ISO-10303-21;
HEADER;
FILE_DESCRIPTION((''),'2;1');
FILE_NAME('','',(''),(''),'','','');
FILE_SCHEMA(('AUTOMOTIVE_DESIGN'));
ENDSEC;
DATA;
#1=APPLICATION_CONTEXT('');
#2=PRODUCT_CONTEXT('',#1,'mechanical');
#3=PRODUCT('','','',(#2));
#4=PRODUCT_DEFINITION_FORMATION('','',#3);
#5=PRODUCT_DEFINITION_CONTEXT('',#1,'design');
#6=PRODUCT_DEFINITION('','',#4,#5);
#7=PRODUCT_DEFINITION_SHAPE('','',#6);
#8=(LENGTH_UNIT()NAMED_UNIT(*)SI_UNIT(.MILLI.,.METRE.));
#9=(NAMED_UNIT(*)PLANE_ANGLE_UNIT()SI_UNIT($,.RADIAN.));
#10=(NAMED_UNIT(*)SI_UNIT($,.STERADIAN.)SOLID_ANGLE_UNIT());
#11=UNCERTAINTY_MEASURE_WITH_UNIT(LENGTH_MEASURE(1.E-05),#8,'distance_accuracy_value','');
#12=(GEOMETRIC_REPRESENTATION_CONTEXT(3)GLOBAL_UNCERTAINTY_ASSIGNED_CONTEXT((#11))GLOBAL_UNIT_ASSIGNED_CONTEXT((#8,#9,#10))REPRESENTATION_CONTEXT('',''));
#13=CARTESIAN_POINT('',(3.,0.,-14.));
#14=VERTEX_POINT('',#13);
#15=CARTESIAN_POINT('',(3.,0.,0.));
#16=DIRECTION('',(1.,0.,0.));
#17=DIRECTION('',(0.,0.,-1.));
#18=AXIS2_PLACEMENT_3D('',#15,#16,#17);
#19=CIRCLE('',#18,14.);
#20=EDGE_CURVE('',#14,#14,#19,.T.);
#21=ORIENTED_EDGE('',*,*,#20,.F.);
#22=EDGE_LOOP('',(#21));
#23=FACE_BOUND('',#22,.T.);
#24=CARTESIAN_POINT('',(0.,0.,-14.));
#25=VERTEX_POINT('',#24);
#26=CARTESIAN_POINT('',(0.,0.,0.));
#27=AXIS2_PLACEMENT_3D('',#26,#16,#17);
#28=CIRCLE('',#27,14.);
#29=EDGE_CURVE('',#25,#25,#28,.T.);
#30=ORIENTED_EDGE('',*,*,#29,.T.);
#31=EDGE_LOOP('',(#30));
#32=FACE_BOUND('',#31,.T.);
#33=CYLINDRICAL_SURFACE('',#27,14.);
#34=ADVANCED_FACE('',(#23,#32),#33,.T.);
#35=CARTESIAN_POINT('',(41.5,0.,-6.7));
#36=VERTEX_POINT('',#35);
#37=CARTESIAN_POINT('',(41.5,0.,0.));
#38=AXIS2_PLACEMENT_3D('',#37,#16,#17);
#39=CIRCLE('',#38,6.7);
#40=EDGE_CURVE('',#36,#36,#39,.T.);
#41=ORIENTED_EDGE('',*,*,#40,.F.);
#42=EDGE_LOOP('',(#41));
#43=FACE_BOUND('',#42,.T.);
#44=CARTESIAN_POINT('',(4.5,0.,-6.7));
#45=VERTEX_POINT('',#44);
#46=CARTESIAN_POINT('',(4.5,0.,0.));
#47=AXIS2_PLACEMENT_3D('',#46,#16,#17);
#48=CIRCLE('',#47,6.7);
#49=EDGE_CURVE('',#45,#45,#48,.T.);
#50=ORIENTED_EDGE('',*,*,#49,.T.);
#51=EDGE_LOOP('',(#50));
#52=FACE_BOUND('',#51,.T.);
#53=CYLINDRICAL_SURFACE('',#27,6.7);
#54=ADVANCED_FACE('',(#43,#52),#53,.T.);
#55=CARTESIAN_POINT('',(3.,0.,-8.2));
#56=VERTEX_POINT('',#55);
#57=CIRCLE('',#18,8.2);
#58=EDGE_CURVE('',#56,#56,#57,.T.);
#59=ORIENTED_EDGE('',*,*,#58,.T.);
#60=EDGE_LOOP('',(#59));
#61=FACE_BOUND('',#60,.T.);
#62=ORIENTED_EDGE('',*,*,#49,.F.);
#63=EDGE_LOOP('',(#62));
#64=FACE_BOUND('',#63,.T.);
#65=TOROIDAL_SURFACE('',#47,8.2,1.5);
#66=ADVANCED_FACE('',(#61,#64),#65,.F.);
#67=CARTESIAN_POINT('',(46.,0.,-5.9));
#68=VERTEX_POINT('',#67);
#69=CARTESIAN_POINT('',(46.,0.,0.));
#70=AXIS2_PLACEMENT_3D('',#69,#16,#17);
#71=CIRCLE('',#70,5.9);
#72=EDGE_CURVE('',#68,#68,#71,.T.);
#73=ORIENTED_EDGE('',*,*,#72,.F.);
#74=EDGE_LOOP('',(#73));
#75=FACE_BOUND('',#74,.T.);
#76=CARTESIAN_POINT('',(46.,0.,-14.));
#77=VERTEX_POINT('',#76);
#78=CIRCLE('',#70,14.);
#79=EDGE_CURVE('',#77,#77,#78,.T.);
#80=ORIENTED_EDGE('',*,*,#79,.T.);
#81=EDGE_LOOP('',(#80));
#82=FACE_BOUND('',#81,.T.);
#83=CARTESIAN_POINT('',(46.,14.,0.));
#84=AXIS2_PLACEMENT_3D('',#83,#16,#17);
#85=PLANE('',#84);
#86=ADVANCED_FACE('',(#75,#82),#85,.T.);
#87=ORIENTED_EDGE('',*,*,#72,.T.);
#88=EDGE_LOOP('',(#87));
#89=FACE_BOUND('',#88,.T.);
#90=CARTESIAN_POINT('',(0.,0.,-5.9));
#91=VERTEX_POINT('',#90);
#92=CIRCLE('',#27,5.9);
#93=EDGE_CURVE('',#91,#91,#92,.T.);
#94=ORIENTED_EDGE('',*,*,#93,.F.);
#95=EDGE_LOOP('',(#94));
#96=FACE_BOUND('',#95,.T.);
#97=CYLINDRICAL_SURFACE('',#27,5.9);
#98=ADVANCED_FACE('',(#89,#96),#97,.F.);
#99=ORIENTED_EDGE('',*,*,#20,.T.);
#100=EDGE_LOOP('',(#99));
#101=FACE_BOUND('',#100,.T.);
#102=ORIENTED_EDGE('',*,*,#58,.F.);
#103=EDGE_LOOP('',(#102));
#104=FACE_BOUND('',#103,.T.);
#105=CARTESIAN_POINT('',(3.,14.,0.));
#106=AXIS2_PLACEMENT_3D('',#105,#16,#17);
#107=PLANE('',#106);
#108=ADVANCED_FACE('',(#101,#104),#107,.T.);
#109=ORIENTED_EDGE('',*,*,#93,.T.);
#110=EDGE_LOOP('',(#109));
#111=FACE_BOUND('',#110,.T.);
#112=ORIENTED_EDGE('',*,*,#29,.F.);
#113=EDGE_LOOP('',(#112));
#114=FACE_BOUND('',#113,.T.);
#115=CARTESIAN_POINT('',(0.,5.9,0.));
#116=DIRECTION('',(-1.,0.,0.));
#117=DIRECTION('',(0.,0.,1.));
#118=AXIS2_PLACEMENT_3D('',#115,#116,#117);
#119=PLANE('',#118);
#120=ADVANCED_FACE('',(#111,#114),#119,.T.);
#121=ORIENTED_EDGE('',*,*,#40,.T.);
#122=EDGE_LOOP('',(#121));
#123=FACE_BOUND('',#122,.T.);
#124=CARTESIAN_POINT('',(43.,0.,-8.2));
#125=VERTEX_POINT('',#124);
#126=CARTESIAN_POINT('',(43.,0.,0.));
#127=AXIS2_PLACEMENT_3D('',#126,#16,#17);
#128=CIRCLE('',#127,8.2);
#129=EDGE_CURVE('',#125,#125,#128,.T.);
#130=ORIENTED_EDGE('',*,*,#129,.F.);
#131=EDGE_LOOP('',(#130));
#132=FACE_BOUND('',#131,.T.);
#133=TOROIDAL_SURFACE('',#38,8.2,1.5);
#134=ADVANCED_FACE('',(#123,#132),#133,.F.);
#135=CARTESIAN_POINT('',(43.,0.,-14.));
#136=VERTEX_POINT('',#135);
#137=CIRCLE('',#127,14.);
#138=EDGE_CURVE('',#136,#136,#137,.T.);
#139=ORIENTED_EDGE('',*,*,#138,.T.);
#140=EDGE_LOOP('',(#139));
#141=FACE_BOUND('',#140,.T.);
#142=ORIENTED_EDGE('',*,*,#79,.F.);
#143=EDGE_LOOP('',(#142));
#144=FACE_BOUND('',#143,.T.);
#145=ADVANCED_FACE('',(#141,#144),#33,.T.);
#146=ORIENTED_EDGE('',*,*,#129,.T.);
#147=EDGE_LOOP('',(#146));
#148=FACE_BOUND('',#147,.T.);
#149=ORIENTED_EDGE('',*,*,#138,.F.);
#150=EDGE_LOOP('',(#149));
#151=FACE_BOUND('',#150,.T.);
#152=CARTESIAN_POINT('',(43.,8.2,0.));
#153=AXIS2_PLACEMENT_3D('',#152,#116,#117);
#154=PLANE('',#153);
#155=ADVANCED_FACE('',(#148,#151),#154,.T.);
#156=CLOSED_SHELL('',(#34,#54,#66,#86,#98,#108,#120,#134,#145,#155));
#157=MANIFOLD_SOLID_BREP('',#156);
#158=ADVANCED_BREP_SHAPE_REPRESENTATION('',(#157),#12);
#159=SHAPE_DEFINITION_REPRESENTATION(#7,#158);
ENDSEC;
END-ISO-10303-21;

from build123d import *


with BuildPart() as part:
    # Sketch1 → Revolve1 (revolve)
    with BuildSketch(Plane.XY, mode=Mode.PRIVATE) as revolve1_sk:
        with BuildLine():
            Line((0, 5.9), (0, 14))
            Line((0, 14), (3, 14))
            Line((3, 14), (3, 8.2))
            ThreePointArc((3, 8.2), (3.439339828, 7.139339828), (4.5, 6.7))
            Line((4.5, 6.7), (41.5, 6.7))
            ThreePointArc((41.5, 6.7), (42.560660172, 7.139339828), (43, 8.2))
            Line((43, 8.2), (43, 14))
            Line((43, 14), (46, 14))
            Line((46, 14), (46, 5.9))
            Line((46, 5.9), (43, 5.9))
            Line((43, 5.9), (3, 5.9))
            Line((3, 5.9), (0, 5.9))
        make_face()
    revolve(revolve1_sk.sketch.rotate(Axis((0, 0, 0), (-1, 0, 0)), 90), axis=Axis((0, 0, 0), (-1, 0, 0)))


solid = part.part
